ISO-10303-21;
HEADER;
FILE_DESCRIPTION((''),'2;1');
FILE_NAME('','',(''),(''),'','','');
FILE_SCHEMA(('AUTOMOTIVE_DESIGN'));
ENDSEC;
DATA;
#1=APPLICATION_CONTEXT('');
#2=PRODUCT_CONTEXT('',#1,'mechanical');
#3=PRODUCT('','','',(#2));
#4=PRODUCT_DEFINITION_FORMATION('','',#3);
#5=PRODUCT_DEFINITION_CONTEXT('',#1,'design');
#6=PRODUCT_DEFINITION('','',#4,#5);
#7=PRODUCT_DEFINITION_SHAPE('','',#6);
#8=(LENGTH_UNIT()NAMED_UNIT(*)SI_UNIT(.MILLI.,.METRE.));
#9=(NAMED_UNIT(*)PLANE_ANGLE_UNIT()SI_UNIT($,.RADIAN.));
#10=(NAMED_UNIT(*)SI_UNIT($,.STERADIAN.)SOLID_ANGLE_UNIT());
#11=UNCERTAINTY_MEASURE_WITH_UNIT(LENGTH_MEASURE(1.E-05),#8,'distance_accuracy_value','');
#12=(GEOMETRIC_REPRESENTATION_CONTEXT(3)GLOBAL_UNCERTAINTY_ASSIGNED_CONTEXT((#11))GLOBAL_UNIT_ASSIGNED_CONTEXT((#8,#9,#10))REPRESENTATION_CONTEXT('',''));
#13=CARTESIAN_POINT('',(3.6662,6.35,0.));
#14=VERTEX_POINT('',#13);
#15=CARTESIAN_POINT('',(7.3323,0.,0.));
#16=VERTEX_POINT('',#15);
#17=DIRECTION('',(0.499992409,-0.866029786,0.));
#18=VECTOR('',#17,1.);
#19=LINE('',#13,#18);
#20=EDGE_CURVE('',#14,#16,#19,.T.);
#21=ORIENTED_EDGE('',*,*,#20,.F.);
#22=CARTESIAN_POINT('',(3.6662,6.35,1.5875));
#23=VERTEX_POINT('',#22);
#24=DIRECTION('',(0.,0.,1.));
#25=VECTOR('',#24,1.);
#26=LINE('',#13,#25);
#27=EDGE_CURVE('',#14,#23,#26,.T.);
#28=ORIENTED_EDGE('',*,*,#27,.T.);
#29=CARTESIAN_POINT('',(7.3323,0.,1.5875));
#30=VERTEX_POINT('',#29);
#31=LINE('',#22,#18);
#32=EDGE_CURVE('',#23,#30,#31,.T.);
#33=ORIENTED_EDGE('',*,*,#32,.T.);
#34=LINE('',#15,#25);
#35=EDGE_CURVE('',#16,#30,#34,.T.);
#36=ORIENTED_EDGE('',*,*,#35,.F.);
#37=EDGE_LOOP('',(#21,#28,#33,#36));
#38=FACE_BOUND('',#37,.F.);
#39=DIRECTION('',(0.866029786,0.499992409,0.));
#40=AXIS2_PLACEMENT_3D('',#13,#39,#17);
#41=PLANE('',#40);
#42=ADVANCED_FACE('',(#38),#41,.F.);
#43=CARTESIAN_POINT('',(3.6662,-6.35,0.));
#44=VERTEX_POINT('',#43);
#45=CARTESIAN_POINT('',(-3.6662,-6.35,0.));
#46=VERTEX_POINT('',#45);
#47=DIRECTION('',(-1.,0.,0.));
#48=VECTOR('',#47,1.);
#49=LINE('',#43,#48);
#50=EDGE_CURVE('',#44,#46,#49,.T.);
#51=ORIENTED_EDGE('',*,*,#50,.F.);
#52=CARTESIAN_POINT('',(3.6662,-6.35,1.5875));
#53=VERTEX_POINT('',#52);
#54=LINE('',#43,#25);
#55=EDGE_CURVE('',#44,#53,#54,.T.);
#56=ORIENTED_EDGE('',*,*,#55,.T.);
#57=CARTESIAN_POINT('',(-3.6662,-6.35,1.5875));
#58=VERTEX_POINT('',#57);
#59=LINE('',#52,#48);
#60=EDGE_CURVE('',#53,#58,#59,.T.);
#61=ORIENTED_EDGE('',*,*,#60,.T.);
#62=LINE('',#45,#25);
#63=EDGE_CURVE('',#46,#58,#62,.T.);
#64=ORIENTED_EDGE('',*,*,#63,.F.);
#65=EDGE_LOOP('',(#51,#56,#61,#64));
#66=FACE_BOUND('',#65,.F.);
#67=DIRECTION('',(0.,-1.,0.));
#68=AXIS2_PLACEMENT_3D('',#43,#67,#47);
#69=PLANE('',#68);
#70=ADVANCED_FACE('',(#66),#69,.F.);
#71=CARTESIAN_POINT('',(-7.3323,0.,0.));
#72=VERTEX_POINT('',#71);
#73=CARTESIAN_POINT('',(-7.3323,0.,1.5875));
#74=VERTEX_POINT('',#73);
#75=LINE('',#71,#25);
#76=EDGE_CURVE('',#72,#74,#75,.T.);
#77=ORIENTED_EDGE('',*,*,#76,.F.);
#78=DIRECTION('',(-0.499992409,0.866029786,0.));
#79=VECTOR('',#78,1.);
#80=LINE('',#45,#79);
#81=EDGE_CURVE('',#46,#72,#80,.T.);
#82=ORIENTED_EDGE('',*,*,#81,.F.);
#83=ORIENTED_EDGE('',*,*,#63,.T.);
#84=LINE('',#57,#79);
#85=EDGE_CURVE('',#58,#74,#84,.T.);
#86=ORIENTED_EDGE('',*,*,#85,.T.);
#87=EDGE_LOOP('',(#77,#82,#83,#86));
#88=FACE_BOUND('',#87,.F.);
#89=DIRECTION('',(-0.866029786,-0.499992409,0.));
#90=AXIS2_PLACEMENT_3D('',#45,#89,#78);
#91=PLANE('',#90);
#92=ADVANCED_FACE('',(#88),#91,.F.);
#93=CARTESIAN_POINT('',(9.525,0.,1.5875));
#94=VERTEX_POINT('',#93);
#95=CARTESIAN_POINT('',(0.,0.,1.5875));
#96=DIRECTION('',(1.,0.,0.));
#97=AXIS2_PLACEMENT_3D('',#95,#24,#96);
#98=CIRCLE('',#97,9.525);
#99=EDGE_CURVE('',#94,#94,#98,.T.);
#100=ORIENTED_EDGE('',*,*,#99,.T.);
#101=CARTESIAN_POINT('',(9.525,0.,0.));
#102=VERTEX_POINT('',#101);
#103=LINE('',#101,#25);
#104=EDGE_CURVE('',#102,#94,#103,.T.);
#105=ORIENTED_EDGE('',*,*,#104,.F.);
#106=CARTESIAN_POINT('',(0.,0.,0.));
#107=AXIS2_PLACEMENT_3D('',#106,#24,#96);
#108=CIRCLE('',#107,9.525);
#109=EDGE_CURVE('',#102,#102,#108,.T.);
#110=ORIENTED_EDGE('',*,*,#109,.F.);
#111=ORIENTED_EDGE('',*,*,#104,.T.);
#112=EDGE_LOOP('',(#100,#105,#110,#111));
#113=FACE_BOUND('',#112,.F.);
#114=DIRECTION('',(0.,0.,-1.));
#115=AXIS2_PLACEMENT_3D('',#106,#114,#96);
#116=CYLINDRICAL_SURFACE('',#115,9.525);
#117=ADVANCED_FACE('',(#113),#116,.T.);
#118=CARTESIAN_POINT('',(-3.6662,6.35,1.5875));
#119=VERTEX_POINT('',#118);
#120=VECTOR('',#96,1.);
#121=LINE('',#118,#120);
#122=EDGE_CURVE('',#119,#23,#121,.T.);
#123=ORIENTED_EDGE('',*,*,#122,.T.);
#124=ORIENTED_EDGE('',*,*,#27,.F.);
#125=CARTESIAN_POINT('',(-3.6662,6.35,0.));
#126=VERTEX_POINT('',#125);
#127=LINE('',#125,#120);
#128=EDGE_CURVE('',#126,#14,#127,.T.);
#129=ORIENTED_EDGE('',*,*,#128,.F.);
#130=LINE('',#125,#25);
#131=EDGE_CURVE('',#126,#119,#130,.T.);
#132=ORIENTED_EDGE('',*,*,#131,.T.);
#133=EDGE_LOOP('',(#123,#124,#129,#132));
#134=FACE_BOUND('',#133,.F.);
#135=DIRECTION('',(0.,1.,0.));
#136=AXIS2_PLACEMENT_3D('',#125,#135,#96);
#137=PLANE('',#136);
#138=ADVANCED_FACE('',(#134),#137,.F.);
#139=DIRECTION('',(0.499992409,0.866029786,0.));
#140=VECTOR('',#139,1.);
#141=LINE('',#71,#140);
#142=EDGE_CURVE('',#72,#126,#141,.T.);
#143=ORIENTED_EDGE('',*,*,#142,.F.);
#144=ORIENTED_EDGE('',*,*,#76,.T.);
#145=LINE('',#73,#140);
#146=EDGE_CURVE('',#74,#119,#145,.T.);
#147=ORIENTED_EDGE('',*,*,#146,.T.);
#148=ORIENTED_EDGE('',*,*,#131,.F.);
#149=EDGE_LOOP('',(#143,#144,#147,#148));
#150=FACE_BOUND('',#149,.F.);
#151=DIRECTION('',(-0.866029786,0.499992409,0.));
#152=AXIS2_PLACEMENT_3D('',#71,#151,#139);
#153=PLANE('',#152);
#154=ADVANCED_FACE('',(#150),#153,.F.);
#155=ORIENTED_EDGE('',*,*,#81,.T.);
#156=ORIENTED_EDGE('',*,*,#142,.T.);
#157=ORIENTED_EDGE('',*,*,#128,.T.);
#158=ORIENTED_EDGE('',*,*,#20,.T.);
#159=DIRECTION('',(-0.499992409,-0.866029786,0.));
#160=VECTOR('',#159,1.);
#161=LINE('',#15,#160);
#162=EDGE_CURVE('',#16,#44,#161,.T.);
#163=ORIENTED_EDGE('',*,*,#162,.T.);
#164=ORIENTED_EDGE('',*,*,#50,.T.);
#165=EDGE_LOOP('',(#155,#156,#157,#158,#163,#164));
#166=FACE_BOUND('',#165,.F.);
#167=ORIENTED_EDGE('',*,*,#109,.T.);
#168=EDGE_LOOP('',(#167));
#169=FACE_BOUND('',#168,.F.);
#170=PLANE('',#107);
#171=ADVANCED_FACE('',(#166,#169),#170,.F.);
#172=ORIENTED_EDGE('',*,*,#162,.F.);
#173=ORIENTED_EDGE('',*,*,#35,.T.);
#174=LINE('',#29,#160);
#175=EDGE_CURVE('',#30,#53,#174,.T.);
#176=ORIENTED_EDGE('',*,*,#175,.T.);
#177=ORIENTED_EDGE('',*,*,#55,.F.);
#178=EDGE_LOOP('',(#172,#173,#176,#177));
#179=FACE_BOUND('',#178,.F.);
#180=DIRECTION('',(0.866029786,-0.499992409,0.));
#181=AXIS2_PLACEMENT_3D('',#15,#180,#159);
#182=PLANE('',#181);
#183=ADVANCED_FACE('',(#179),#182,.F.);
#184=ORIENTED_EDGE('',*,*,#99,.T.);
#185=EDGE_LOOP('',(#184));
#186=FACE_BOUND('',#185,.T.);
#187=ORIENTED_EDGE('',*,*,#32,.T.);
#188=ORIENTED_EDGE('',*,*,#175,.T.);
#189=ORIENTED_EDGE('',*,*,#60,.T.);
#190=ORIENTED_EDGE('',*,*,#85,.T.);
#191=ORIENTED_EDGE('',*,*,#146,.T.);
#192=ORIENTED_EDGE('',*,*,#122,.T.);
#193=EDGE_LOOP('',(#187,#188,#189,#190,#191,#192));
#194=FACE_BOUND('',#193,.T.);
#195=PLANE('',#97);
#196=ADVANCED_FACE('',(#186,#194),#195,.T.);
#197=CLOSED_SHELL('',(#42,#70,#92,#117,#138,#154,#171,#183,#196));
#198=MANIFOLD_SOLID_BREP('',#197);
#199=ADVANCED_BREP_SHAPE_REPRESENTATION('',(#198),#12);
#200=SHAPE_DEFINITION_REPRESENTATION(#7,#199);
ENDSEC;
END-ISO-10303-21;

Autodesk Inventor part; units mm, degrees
ref_plane "YZ Plane" through (0, 0, 0) normal (1, 0, 0) x (0, 1, 0)
ref_plane "XZ Plane" through (0, 0, 0) normal (0, 1, 0) x (-1, 0, 0)
ref_plane "XY Plane" through (0, 0, 0) normal (0, 0, 1) x (1, 0, 0)
sketch "Sketch1" plane through (0, 0, 0) normal (0, 0, 1) x (1, 0, 0)
  circle A0 centre (0, 0) radius 9.525
  line L0 (7.3323, 0) -> (3.6662, -6.35)
  line L1 (3.6662, -6.35) -> (-3.6662, -6.35)
  line L2 (-3.6662, -6.35) -> (-7.3323, 0)
  line L3 (-7.3323, 0) -> (-3.6662, 6.35)
  line L4 (-3.6662, 6.35) -> (3.6662, 6.35)
  line L5 (3.6662, 6.35) -> (7.3323, 0)
  dimension "d0" = 19.05
  dimension "d1" = 12.7
extrude "Extrusion1" add sketch "Sketch1" along normal blind 1.5875
properties part number "ARM_054_0" material "Nylon 6/6"
